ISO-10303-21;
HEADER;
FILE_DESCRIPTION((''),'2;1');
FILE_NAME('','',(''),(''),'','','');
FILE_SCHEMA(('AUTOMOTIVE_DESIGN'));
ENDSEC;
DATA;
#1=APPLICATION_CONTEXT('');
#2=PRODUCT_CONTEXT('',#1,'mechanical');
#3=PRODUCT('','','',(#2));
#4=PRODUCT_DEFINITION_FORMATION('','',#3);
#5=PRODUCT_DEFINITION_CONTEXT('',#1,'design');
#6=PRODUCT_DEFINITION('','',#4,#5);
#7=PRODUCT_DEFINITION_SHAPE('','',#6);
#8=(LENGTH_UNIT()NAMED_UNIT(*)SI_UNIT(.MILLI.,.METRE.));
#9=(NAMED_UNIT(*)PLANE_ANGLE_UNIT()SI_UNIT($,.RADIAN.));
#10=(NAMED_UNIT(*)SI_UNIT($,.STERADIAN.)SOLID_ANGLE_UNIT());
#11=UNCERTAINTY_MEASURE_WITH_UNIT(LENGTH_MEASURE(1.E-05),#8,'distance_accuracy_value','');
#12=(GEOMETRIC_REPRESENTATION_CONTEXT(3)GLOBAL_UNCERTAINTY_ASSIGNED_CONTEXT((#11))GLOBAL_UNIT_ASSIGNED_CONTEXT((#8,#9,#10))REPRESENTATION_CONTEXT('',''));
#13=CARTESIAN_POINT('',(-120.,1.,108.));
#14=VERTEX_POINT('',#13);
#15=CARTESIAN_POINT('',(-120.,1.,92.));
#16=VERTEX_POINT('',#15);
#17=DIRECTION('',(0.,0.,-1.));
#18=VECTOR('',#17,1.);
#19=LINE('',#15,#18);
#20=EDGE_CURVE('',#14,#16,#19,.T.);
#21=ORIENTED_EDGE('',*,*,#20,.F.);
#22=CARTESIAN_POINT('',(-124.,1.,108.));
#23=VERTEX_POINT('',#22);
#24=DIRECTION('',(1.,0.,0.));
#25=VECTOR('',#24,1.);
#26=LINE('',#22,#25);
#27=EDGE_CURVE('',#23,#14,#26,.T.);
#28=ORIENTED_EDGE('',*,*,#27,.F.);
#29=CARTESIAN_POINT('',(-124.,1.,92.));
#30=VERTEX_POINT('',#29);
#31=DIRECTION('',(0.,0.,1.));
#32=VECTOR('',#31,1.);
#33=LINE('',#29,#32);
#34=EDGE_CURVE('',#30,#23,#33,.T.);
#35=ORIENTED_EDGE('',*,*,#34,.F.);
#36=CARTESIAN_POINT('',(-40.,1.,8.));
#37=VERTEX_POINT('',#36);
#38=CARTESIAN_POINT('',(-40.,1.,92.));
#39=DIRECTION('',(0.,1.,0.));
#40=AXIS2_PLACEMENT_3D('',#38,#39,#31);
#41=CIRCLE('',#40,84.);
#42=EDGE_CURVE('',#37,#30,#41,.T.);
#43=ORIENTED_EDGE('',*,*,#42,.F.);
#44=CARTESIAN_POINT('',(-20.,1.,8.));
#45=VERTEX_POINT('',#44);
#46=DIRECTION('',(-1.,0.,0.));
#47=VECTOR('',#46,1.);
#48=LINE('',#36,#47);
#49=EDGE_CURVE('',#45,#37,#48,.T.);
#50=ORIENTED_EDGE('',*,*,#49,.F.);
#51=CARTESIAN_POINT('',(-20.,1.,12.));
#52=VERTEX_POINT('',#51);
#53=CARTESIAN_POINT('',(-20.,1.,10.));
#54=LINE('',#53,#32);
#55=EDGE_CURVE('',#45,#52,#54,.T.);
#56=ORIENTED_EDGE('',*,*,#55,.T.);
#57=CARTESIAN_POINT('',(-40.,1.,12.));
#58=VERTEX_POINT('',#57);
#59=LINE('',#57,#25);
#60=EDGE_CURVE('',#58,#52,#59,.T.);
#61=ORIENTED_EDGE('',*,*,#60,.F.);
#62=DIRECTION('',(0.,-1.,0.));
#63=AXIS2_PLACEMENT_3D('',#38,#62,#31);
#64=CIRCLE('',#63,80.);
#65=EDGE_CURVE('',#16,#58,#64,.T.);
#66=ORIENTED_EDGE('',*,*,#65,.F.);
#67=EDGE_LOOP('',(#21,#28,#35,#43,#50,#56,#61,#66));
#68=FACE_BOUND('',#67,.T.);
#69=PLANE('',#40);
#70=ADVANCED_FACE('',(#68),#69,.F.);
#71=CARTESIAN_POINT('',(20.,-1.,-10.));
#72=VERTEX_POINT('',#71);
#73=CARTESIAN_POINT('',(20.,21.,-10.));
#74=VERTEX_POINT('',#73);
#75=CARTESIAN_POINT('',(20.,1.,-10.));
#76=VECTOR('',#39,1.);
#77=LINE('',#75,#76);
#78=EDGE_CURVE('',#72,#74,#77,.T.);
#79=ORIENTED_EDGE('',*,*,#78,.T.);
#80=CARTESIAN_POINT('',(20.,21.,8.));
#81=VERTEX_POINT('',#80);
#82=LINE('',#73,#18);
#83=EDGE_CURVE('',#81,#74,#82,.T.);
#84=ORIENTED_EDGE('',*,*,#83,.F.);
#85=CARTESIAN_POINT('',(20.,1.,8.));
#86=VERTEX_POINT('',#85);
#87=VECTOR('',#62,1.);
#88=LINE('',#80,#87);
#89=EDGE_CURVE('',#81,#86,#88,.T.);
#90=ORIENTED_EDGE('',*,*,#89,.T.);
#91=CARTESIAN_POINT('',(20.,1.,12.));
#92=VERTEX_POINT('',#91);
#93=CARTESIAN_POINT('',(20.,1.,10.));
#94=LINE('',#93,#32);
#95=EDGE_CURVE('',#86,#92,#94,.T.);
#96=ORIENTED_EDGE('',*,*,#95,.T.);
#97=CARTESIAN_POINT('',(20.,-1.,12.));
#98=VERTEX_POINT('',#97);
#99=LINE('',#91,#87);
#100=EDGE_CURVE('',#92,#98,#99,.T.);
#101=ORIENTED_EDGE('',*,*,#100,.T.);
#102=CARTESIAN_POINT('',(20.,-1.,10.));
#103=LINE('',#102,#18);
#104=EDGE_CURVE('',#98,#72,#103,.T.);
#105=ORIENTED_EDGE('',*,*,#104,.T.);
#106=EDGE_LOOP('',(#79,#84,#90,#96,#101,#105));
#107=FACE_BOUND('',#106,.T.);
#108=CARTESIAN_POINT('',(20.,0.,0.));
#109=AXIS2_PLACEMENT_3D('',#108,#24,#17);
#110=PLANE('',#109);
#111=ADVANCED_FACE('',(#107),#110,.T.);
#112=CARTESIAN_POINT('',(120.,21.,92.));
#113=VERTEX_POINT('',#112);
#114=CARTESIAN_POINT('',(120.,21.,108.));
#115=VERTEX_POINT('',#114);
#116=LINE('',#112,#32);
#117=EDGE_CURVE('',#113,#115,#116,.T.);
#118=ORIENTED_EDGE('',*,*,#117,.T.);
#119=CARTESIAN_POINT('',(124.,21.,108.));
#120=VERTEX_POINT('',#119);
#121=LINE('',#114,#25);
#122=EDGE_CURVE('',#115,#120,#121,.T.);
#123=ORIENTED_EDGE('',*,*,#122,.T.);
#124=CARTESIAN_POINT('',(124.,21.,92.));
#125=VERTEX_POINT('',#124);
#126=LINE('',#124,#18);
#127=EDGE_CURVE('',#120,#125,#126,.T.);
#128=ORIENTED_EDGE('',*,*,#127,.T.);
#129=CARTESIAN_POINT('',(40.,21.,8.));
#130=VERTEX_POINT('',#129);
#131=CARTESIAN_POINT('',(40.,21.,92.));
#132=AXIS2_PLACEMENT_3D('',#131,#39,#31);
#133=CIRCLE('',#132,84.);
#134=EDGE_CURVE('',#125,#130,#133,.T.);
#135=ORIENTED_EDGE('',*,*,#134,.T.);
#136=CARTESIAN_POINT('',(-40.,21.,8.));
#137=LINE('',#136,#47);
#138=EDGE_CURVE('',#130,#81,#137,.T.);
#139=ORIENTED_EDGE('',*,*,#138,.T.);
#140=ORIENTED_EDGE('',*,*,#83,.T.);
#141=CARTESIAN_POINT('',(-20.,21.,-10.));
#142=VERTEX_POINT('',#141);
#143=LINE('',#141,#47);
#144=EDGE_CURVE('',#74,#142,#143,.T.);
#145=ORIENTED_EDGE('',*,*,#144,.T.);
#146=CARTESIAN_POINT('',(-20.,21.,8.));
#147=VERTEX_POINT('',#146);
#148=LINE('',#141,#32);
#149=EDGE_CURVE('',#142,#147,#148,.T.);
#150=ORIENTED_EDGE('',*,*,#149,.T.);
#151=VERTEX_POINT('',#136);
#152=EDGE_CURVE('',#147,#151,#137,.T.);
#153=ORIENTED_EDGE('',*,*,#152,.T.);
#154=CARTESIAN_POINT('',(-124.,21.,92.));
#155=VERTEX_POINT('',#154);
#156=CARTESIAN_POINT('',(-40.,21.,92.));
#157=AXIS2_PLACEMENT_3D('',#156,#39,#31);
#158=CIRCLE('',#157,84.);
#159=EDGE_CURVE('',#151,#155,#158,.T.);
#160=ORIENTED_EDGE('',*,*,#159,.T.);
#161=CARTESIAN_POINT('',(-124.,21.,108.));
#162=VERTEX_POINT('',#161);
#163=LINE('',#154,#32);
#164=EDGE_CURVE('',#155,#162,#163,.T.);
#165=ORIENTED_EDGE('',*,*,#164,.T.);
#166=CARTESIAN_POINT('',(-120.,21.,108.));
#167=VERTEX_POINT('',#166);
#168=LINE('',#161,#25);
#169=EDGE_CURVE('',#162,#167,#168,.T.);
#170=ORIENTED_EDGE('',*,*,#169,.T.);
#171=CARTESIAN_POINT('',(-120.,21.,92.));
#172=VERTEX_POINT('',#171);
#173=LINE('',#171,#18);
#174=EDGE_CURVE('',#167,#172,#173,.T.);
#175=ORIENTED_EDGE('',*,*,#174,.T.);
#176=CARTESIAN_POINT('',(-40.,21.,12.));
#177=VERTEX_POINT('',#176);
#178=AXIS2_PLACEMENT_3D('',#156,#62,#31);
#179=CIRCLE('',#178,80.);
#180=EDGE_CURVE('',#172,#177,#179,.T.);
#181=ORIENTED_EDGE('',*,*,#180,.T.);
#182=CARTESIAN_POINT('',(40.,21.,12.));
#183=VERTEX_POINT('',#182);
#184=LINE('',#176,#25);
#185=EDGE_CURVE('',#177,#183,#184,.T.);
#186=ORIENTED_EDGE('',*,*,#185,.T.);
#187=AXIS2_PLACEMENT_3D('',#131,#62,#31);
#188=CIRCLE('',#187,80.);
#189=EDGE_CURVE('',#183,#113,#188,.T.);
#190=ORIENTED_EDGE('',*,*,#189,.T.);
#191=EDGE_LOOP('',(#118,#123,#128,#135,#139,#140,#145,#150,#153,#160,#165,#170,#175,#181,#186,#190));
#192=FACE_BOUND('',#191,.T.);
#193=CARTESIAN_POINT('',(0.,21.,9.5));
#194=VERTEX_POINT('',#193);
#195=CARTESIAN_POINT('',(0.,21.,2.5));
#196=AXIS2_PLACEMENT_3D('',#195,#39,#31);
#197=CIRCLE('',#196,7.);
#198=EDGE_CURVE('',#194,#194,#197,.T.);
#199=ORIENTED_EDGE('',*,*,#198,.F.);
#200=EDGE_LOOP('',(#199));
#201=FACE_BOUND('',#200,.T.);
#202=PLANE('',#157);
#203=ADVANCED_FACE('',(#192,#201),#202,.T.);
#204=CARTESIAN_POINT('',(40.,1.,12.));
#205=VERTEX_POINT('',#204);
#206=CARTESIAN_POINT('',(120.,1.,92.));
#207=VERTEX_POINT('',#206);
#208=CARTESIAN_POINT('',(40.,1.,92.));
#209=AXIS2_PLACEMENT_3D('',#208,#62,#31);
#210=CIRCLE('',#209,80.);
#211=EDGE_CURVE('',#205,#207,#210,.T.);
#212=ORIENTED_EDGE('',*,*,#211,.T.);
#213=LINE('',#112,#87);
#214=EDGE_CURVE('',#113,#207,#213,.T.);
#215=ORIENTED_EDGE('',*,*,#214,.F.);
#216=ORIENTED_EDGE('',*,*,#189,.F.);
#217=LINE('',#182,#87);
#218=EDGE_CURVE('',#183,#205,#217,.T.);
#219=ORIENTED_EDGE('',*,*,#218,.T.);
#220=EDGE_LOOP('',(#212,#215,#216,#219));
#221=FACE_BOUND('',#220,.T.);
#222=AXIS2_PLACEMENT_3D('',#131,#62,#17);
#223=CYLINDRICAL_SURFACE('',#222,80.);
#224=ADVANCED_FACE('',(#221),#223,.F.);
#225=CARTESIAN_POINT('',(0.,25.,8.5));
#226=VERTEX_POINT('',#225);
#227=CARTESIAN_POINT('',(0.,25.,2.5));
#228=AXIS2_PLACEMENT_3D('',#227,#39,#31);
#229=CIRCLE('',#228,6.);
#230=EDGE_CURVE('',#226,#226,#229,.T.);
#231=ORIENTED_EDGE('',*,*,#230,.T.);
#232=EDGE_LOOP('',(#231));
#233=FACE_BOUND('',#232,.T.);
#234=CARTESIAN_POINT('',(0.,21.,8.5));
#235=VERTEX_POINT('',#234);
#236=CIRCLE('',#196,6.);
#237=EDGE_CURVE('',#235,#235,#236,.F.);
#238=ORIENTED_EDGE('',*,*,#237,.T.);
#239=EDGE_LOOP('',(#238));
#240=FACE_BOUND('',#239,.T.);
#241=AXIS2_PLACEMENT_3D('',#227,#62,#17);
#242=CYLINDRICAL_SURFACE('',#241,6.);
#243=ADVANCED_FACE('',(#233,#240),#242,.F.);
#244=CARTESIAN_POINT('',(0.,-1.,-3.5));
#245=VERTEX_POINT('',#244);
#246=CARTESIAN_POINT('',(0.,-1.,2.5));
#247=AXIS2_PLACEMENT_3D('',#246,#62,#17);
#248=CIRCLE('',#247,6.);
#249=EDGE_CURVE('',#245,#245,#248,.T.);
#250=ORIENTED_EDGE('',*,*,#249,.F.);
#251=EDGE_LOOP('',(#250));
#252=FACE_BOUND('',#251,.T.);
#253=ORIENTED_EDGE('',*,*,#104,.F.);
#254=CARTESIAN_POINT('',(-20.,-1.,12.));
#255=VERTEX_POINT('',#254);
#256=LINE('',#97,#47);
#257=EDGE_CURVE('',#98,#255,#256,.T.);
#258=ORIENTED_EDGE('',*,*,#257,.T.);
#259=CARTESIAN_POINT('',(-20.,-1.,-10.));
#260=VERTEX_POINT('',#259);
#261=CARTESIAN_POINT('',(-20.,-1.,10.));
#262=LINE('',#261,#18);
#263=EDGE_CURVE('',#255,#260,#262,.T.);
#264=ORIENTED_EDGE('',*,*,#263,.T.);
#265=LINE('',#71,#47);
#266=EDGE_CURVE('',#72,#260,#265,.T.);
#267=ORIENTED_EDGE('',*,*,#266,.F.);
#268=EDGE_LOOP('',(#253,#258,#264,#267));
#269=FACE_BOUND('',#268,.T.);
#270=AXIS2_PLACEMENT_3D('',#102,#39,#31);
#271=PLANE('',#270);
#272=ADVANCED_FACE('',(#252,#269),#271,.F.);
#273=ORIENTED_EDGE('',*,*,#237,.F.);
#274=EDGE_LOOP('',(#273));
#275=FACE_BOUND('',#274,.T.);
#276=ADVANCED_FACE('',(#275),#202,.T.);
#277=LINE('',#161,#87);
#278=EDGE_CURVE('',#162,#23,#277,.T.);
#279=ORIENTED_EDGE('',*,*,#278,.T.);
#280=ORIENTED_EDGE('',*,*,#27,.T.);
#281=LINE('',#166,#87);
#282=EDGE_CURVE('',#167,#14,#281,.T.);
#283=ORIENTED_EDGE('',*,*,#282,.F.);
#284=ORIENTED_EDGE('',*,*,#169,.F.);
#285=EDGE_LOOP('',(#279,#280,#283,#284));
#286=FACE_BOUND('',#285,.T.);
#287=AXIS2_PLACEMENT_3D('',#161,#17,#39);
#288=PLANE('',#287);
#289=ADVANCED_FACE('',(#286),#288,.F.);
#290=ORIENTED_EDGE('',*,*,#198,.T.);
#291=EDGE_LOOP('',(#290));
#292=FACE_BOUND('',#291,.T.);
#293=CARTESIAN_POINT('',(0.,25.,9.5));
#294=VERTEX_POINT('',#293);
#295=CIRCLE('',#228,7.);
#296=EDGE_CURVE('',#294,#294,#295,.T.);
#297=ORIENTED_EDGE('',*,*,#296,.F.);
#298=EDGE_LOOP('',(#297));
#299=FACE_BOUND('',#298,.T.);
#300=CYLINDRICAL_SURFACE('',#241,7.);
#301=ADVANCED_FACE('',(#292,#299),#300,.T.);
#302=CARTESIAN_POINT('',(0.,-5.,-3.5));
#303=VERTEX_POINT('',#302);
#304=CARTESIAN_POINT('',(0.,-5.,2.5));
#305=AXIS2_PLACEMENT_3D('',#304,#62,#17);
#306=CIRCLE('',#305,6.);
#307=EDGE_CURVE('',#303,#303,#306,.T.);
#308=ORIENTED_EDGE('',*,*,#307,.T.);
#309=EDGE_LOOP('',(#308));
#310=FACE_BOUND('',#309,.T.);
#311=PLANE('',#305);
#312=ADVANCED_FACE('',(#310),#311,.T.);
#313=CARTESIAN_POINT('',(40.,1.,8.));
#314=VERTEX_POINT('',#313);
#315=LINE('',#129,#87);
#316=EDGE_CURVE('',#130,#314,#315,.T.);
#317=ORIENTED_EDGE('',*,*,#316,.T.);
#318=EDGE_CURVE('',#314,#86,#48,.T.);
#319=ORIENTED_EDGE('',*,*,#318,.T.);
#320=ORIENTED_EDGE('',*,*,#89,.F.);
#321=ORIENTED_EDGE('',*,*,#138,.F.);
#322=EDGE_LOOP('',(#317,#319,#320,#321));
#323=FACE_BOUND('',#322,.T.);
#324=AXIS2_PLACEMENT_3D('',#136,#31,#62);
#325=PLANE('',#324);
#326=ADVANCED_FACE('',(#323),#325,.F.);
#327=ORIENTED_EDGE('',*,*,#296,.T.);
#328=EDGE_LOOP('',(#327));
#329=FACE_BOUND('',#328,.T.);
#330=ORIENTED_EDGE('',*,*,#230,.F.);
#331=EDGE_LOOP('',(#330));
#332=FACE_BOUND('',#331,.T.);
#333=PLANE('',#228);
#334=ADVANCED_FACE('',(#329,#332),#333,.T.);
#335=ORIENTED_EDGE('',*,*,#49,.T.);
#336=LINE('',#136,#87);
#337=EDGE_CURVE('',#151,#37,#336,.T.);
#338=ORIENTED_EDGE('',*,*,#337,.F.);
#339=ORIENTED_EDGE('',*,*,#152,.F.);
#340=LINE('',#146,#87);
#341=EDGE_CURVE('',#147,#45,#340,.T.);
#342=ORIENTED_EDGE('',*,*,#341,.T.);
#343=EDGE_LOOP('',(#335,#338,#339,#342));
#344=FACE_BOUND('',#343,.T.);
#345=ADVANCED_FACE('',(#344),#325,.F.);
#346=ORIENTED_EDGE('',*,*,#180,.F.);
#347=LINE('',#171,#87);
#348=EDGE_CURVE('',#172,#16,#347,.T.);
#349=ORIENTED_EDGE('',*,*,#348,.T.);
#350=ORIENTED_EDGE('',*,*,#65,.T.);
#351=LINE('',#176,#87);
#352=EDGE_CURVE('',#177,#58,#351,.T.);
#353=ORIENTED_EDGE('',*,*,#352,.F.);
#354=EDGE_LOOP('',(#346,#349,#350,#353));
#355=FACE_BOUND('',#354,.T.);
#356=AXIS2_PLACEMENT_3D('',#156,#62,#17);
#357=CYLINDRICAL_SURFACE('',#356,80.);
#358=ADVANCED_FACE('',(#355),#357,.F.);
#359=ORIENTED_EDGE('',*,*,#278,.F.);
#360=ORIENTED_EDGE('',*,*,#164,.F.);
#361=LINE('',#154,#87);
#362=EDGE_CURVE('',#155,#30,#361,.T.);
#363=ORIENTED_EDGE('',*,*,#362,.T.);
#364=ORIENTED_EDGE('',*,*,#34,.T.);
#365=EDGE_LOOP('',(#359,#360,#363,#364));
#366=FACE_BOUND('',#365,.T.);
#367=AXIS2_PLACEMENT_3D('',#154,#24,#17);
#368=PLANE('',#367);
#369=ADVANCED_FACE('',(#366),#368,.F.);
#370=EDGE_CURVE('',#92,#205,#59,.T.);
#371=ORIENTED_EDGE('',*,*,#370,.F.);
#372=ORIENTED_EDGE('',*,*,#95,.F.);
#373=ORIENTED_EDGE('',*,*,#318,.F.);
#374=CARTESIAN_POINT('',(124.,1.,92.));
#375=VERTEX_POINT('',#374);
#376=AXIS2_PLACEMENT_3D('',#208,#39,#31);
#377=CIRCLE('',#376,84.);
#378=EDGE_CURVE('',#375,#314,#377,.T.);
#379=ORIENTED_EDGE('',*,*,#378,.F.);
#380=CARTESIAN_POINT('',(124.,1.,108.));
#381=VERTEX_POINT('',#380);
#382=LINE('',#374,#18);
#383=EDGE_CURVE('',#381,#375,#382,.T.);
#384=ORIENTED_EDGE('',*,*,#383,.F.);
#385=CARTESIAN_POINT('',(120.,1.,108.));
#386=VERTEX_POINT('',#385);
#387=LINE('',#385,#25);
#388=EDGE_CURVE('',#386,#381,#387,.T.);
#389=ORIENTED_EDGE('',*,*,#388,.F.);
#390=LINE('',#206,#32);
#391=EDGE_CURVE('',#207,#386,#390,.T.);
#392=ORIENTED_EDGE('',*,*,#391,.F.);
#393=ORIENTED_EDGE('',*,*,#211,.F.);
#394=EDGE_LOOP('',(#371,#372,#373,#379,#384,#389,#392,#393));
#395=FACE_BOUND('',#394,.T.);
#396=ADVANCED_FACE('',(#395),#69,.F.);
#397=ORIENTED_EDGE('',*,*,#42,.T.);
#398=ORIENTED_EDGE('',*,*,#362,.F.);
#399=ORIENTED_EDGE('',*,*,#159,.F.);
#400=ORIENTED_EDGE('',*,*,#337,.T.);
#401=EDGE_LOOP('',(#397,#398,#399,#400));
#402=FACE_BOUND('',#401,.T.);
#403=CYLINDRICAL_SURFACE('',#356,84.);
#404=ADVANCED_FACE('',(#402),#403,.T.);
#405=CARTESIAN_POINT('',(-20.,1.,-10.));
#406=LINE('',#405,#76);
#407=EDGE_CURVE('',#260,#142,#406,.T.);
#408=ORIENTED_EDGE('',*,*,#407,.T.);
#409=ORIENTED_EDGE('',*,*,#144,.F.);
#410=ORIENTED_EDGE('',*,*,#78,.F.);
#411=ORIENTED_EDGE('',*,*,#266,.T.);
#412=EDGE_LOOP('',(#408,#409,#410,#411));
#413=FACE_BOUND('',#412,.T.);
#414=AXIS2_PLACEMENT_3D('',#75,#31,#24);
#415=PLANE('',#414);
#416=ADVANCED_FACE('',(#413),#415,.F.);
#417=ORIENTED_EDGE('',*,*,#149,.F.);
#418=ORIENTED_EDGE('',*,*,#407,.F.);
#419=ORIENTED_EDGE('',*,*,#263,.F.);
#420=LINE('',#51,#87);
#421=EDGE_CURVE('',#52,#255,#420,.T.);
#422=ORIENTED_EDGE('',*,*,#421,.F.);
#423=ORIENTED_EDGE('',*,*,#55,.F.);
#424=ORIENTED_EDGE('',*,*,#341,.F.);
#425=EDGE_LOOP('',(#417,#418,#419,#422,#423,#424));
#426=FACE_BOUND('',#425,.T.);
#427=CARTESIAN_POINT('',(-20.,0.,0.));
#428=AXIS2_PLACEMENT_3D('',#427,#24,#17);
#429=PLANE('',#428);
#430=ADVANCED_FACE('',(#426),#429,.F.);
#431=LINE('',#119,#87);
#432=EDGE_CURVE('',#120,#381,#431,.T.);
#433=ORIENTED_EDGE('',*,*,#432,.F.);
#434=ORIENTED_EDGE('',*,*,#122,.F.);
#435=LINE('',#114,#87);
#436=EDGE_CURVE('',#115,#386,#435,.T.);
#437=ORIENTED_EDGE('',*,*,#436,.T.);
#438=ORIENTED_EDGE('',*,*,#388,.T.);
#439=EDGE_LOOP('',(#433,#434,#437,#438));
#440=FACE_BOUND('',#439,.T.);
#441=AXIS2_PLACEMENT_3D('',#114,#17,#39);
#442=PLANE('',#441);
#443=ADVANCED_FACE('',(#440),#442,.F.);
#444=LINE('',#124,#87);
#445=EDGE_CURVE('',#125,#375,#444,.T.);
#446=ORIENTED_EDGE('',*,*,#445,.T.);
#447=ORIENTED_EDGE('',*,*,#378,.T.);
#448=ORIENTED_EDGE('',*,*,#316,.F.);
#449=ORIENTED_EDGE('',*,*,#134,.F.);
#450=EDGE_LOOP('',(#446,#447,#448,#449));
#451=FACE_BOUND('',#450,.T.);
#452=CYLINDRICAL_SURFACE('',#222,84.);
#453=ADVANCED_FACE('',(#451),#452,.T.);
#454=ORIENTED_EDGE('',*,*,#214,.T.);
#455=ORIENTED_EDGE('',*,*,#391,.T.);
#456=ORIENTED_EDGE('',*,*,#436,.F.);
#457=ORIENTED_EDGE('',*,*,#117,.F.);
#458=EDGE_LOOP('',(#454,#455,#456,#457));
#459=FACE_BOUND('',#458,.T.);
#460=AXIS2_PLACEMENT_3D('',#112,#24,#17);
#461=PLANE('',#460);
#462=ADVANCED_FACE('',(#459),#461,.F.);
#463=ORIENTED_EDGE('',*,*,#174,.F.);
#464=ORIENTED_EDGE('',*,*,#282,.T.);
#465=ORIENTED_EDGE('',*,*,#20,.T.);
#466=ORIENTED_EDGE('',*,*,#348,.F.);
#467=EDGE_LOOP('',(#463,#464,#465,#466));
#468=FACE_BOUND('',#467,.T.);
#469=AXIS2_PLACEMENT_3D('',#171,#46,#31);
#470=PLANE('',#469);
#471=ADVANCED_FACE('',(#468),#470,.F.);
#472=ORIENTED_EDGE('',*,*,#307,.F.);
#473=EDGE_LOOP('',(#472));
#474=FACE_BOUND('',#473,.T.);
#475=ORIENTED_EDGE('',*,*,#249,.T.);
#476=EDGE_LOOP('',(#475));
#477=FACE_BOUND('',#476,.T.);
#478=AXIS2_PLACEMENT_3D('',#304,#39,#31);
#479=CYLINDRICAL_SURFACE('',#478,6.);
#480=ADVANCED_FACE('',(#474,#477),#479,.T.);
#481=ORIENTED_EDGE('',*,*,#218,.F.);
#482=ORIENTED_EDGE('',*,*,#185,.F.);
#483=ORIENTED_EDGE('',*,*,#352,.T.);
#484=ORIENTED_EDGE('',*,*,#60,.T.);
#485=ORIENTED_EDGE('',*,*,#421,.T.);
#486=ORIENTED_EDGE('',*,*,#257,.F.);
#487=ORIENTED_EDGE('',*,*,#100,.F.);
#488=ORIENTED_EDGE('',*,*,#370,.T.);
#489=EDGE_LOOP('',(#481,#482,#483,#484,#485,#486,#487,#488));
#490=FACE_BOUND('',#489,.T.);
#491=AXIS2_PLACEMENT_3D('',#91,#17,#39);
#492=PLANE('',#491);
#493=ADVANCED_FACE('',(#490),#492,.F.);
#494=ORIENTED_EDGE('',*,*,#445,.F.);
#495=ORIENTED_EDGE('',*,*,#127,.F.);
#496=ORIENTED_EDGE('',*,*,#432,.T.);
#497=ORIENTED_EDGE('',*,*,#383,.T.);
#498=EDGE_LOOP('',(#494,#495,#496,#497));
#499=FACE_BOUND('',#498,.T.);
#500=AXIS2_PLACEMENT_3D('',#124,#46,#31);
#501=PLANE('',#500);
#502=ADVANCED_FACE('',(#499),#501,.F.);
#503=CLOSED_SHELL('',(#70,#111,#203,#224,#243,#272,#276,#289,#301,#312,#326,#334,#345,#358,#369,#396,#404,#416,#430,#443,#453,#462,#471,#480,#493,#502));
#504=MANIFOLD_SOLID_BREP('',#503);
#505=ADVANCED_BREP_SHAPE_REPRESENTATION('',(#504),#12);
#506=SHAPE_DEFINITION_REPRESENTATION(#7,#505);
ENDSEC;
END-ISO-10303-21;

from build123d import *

# Parameters (mm, degrees)
EXTRUDE_1_DEPTH = 20
EXTRUDE_4_DEPTH = 20
SKETCH_10_W     = 40
SKETCH_10_H     = 18
EXTRUDE_5_DEPTH = 20
SKETCH_11_R     = 7
SKETCH_11_R_2   = 6
EXTRUDE_6_DEPTH = 4
SKETCH_12_R     = 6
EXTRUDE_7_DEPTH = 4


with BuildPart() as part:
    # 草图2 → 凸台-拉伸1 (new body, symmetric)
    with BuildSketch(Plane(origin=(0, 0, 0), x_dir=(0, 0, -1), z_dir=(1, 0, 0))):
        Polygon((-10, 1), (10, 1), (10, -1), (-10, -1), (-12, -1), (-12, 1), align=None)
    extrude(amount=EXTRUDE_1_DEPTH, both=True)

    # 草图9 → 凸台-拉伸4 (add)
    with BuildSketch(Plane(origin=(0, 1, 0), x_dir=(1, 0, 0), z_dir=(0, 1, 0))):
        with BuildLine():
            Line((-40, -8), (40, -8))
            ThreePointArc((40, -8), (99.39696962, -32.60303038), (124, -92))
            Line((124, -92), (124, -108))
            Line((124, -108), (120, -108))
            Line((120, -108), (120, -92))
            ThreePointArc((120, -92), (96.568542495, -35.431457505), (40, -12))
            Line((40, -12), (-40, -12))
            ThreePointArc((-40, -12), (-96.568542495, -35.431457505), (-120, -92))
            Line((-120, -92), (-120, -108))
            Line((-120, -108), (-124, -108))
            Line((-124, -108), (-124, -92))
            ThreePointArc((-124, -92), (-99.39696962, -32.60303038), (-40, -8))
        make_face()
    extrude(amount=EXTRUDE_4_DEPTH)

    # 草图10 → 凸台-拉伸5 (add)
    with BuildSketch(Plane(origin=(0, 1, 0), x_dir=(1, 0, 0), z_dir=(0, 1, 0))):
        with Locations((0, 1)):
            Rectangle(SKETCH_10_W, SKETCH_10_H)
    extrude(amount=EXTRUDE_5_DEPTH)

    # 草图11 → 凸台-拉伸6 (add)
    with BuildSketch(Plane(origin=(0, 21, 0), x_dir=(1, 0, 0), z_dir=(0, 1, 0))):
        with Locations((0, -2.5)):
            Circle(SKETCH_11_R)
        with Locations((0, -2.5)):
            Circle(SKETCH_11_R_2, mode=Mode.SUBTRACT)
    extrude(amount=EXTRUDE_6_DEPTH)

    # 草图12 → 凸台-拉伸7 (add)
    with BuildSketch(Plane.XZ.offset(1)):
        with Locations((0, 2.5)):
            Circle(SKETCH_12_R)
    extrude(amount=EXTRUDE_7_DEPTH)


solid = part.part
